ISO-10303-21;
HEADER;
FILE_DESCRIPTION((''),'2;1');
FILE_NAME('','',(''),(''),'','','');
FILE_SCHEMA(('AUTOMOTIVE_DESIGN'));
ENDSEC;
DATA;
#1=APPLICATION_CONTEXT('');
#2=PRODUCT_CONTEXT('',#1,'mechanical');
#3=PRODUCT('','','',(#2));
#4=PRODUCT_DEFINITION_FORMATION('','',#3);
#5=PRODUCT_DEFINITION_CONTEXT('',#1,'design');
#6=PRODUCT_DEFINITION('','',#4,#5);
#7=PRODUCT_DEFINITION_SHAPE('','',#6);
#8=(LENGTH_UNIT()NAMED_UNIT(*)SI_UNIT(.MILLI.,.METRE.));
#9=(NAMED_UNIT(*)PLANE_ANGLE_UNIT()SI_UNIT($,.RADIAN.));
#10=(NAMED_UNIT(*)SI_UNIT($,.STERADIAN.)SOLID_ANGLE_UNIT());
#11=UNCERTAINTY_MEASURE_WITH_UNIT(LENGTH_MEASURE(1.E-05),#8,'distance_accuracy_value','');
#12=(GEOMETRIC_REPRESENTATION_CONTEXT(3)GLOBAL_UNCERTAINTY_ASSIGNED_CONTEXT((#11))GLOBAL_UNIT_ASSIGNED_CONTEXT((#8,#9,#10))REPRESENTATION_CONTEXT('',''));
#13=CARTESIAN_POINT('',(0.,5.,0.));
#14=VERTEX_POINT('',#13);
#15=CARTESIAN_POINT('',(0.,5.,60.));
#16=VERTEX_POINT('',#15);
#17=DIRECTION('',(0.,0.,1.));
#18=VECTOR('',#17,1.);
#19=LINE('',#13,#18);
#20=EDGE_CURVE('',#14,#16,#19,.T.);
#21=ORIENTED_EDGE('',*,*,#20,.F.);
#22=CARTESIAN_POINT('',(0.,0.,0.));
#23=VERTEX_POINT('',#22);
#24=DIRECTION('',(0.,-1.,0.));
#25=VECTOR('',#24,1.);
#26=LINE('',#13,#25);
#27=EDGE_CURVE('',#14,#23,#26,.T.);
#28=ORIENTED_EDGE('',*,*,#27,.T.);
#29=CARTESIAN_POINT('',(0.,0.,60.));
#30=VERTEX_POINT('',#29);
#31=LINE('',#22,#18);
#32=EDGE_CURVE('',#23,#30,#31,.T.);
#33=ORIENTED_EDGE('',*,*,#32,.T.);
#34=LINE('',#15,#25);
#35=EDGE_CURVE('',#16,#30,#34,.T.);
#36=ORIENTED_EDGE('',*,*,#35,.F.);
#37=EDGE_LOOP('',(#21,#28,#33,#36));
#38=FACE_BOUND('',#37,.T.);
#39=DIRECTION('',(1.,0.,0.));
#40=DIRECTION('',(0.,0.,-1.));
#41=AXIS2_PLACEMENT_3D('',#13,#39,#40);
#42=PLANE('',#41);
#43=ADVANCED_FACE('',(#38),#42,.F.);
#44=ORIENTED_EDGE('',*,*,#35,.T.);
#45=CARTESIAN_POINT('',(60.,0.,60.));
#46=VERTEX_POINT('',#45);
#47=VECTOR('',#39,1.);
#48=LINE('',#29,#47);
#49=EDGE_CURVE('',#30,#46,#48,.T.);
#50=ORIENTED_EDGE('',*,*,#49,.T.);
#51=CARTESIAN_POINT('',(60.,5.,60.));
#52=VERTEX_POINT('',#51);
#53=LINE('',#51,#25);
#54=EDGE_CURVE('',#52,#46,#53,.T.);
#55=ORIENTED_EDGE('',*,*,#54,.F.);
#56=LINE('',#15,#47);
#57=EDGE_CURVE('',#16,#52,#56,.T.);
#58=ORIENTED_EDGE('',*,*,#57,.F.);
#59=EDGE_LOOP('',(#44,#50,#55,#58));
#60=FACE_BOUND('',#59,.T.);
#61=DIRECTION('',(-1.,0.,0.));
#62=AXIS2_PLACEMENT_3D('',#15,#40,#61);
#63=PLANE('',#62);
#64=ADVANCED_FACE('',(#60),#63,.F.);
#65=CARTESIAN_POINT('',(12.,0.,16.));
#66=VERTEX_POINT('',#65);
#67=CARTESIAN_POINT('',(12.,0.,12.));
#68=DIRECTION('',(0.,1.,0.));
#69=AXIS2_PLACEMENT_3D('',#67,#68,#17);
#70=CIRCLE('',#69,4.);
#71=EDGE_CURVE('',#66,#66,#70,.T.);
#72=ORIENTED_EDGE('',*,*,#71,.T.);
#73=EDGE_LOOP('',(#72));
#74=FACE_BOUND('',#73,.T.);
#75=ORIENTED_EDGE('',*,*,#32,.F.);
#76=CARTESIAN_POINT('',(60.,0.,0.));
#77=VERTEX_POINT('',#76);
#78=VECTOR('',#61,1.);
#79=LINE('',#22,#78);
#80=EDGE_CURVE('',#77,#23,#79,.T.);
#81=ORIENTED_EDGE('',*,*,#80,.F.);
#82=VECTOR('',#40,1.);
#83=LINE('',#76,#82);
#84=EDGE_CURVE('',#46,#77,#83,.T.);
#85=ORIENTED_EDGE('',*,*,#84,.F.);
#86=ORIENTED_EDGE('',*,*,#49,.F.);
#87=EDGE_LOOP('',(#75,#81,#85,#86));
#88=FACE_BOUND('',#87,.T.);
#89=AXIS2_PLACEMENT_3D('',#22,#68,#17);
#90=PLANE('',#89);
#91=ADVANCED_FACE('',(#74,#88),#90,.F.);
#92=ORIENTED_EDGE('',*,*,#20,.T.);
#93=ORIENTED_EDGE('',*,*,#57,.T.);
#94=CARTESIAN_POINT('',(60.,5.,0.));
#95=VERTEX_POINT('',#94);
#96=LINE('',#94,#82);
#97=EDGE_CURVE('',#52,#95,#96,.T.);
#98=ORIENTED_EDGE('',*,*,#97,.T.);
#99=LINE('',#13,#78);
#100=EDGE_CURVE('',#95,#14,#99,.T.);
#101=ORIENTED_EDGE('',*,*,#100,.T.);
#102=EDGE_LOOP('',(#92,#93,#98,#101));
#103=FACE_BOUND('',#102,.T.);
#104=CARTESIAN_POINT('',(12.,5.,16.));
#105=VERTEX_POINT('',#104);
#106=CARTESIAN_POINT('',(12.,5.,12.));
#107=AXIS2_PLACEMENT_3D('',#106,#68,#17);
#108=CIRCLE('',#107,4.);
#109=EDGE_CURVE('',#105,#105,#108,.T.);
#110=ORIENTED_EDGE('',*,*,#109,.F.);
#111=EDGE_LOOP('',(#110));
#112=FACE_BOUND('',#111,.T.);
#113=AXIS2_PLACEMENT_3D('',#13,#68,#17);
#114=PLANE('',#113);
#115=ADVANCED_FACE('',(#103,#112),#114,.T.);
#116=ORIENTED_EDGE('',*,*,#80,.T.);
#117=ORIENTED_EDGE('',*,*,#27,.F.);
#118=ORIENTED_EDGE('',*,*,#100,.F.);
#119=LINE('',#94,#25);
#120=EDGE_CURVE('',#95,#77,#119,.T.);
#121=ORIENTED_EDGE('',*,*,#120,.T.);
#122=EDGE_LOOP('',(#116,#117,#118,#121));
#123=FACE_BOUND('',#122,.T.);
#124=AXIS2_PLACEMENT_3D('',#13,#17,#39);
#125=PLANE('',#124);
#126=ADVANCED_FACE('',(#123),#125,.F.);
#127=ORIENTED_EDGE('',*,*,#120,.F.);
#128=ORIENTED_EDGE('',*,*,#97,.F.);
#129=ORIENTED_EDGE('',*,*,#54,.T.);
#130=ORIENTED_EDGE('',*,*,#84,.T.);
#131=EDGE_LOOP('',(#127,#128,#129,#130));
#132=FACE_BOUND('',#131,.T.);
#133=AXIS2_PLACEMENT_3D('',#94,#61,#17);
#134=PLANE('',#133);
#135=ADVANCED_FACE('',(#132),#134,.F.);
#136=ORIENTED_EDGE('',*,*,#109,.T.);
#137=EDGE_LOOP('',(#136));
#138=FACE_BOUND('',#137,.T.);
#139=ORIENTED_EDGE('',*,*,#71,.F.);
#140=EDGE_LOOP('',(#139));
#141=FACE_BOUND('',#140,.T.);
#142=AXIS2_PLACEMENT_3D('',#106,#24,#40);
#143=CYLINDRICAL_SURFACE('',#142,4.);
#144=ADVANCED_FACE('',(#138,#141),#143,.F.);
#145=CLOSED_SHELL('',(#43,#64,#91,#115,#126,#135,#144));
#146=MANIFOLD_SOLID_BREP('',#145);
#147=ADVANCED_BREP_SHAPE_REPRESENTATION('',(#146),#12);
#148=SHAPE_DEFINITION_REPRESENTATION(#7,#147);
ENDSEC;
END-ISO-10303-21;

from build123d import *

# Parameters (mm, degrees)
SKETCH_1_W      = 60
SKETCH_1_H      = 60
SKETCH_1_R      = 4
EXTRUDE_1_DEPTH = 5


with BuildPart() as part:
    # 草图1 → 凸台-拉伸1 (new body)
    with BuildSketch(Plane(origin=(0, 0, 0), x_dir=(1, 0, 0), z_dir=(0, 1, 0))):
        with Locations((30, -30)):
            Rectangle(SKETCH_1_W, SKETCH_1_H)
        with Locations(Location((12, -12, 0), (0, 0, 270))):
            Circle(SKETCH_1_R, mode=Mode.SUBTRACT)
    extrude(amount=EXTRUDE_1_DEPTH)


solid = part.part
